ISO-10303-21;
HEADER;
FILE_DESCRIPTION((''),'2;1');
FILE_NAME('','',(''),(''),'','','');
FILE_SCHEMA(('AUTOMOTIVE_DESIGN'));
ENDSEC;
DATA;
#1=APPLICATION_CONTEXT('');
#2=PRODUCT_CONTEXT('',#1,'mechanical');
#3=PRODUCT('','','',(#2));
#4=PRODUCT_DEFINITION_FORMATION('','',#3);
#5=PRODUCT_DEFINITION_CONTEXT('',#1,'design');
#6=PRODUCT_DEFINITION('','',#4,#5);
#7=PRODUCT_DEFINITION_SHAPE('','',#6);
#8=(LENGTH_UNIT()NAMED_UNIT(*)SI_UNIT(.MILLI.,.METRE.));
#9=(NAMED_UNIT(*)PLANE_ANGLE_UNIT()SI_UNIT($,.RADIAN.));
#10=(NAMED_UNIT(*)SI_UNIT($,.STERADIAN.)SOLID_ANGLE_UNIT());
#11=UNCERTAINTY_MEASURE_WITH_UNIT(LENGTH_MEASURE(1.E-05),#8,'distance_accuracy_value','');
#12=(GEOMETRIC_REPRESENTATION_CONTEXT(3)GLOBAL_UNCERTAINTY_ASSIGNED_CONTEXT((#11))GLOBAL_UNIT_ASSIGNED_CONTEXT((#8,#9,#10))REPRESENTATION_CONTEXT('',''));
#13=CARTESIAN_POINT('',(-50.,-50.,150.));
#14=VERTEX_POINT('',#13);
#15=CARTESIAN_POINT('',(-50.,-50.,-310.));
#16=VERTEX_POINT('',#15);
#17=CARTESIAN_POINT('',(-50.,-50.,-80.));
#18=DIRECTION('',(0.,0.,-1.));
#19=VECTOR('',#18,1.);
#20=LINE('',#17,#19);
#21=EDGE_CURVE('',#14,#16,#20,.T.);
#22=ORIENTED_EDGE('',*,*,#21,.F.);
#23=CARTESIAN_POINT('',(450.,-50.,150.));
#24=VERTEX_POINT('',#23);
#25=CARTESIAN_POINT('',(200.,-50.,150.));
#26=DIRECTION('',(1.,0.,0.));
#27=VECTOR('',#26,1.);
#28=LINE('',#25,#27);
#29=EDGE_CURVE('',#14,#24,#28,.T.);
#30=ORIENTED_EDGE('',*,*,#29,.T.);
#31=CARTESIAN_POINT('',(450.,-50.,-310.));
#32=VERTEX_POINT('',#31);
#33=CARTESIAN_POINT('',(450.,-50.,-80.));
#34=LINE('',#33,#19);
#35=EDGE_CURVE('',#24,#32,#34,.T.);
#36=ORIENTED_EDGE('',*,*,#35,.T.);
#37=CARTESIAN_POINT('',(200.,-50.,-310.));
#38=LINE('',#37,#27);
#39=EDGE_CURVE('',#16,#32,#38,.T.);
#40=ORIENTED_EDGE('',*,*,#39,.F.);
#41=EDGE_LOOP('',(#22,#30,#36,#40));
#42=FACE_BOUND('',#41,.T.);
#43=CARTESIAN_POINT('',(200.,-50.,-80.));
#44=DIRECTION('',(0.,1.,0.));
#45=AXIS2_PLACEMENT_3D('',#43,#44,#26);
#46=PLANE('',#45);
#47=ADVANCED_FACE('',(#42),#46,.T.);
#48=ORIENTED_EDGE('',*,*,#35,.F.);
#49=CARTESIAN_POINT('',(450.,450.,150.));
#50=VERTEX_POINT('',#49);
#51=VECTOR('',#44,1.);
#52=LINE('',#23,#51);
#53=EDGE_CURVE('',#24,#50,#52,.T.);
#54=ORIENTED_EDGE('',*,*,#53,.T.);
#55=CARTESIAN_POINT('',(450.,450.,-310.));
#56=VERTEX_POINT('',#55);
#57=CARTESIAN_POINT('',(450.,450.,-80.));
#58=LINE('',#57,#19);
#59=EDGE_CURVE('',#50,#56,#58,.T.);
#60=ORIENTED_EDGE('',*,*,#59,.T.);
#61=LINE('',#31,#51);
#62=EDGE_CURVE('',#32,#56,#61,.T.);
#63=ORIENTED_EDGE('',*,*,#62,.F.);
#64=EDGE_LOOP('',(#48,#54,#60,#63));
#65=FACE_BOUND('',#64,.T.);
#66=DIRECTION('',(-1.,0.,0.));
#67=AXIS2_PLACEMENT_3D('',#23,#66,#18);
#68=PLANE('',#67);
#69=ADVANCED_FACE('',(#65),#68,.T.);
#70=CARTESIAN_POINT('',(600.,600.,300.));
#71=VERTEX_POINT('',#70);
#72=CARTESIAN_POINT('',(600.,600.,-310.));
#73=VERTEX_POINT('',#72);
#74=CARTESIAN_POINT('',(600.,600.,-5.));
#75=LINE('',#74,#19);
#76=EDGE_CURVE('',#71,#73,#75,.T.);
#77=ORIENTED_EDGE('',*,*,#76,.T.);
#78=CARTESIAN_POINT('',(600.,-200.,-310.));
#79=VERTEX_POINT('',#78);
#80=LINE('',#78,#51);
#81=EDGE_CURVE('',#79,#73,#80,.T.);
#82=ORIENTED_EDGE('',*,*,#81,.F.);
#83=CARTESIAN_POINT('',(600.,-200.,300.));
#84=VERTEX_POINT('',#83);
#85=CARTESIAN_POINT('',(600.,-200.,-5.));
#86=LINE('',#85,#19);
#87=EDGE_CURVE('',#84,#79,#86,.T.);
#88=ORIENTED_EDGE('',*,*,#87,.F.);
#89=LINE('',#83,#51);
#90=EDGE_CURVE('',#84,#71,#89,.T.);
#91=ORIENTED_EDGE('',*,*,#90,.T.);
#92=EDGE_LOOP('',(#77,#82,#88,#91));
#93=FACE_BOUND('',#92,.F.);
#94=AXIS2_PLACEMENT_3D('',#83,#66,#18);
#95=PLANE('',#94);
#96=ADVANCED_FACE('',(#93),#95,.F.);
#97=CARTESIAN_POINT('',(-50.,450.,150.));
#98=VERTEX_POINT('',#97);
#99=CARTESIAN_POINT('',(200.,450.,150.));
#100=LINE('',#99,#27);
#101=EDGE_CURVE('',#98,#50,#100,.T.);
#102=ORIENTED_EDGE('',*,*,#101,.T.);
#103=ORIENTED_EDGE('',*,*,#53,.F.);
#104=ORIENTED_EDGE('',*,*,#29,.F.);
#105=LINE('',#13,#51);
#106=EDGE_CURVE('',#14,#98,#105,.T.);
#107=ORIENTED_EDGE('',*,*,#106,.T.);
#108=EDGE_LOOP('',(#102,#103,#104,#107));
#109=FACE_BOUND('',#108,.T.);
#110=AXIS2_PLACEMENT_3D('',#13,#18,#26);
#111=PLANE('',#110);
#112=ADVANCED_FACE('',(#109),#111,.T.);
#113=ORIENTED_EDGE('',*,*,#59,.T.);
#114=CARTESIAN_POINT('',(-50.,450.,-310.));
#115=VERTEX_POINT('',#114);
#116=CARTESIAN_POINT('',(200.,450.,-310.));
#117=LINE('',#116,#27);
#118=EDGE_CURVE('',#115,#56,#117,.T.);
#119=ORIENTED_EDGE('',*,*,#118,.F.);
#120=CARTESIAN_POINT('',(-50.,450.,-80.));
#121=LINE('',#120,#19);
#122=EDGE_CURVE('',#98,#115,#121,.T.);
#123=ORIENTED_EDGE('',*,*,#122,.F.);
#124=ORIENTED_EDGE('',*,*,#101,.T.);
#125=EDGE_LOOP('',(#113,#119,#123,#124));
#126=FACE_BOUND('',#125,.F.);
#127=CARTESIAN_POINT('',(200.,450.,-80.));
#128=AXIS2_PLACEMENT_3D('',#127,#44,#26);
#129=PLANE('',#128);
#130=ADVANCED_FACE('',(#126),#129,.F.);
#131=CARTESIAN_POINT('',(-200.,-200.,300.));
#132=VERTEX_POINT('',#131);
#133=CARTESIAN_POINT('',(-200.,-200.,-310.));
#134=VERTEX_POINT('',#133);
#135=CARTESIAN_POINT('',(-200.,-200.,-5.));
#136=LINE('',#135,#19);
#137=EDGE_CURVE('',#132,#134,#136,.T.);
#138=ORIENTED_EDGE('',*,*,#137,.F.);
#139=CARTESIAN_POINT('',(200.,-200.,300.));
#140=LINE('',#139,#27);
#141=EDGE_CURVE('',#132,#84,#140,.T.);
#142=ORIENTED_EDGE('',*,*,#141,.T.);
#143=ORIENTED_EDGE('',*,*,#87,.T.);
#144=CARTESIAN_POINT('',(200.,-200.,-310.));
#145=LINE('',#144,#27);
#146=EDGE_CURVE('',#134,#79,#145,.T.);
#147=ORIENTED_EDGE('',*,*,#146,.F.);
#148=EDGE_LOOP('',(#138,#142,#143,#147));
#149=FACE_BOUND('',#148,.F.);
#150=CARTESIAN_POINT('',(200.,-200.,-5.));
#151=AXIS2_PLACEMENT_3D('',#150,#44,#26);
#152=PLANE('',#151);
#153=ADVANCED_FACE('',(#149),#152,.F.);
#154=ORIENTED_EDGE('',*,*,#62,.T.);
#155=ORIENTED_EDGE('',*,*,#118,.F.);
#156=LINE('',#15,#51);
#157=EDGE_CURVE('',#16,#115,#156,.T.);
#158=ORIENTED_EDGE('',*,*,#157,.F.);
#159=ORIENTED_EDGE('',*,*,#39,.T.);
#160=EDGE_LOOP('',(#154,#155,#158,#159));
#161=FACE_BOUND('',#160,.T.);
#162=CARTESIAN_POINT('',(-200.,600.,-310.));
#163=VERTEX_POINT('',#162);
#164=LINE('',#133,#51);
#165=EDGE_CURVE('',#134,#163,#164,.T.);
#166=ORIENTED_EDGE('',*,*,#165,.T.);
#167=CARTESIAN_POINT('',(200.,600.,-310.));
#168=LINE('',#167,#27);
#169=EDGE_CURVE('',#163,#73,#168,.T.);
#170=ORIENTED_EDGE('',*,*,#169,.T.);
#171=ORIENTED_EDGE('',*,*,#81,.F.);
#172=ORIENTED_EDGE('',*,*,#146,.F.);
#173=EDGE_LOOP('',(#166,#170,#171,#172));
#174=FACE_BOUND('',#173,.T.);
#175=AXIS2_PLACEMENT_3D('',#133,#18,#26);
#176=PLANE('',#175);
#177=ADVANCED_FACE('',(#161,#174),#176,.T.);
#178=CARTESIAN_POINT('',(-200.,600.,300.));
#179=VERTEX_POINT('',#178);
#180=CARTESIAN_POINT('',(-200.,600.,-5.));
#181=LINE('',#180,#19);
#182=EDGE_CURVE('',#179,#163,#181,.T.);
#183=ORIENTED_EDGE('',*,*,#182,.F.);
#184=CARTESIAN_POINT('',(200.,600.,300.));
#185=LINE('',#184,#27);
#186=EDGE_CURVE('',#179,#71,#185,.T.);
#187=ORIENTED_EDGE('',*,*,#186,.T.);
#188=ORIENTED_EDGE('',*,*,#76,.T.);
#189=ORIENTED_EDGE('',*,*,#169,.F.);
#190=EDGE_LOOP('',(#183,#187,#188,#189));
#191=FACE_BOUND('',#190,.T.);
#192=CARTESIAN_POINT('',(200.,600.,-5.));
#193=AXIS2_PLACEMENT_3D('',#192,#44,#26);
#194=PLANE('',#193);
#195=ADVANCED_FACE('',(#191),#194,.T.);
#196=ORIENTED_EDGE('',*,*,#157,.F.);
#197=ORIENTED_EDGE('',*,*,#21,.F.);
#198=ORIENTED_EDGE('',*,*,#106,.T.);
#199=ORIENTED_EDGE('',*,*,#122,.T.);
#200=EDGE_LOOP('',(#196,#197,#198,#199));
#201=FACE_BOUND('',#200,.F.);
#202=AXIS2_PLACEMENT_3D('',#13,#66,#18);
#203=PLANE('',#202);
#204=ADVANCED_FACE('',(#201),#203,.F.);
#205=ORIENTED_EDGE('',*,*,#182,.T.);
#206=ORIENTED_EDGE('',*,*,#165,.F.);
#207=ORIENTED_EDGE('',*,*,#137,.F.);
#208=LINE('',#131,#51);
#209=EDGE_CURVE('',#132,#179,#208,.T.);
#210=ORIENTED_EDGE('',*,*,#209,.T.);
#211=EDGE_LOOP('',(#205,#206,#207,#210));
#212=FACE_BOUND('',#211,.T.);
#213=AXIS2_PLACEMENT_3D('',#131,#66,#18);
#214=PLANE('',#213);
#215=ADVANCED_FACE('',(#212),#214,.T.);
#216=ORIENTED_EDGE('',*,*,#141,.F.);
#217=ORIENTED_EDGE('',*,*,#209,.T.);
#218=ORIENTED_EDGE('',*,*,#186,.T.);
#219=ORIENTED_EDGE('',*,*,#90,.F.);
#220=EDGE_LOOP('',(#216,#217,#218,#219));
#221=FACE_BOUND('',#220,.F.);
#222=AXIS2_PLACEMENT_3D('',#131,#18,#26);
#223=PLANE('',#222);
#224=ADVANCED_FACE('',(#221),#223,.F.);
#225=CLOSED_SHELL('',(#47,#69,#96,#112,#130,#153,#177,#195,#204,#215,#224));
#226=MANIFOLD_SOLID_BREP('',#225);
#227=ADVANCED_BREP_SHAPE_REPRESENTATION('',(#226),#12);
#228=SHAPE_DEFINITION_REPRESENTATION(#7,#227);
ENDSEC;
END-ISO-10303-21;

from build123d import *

# Parameters (mm, degrees)
BOX012_W     = 500
BOX012_H     = 460
BOX012_DEPTH = 500
BOX_W        = 800
BOX_H        = 610
BOX_DEPTH    = 800


with BuildPart() as cube011:
    # Box012 → Box012 (new body)
    with BuildSketch(Plane(origin=(-50, -50, 150), x_dir=(1, 0, 0), z_dir=(0, 1, 0))):
        with Locations((250, 230)):
            Rectangle(BOX012_W, BOX012_H)
    extrude(amount=BOX012_DEPTH)


with BuildPart() as cut:
    # Box → Box (new body)
    with BuildSketch(Plane(origin=(-200, -200, 300), x_dir=(1, 0, 0), z_dir=(0, 1, 0))):
        with Locations((400, 305)):
            Rectangle(BOX_W, BOX_H)
    extrude(amount=BOX_DEPTH)

    # Cut: cut Cube011
    add(cube011.part, mode=Mode.SUBTRACT)


solid = cut.part
